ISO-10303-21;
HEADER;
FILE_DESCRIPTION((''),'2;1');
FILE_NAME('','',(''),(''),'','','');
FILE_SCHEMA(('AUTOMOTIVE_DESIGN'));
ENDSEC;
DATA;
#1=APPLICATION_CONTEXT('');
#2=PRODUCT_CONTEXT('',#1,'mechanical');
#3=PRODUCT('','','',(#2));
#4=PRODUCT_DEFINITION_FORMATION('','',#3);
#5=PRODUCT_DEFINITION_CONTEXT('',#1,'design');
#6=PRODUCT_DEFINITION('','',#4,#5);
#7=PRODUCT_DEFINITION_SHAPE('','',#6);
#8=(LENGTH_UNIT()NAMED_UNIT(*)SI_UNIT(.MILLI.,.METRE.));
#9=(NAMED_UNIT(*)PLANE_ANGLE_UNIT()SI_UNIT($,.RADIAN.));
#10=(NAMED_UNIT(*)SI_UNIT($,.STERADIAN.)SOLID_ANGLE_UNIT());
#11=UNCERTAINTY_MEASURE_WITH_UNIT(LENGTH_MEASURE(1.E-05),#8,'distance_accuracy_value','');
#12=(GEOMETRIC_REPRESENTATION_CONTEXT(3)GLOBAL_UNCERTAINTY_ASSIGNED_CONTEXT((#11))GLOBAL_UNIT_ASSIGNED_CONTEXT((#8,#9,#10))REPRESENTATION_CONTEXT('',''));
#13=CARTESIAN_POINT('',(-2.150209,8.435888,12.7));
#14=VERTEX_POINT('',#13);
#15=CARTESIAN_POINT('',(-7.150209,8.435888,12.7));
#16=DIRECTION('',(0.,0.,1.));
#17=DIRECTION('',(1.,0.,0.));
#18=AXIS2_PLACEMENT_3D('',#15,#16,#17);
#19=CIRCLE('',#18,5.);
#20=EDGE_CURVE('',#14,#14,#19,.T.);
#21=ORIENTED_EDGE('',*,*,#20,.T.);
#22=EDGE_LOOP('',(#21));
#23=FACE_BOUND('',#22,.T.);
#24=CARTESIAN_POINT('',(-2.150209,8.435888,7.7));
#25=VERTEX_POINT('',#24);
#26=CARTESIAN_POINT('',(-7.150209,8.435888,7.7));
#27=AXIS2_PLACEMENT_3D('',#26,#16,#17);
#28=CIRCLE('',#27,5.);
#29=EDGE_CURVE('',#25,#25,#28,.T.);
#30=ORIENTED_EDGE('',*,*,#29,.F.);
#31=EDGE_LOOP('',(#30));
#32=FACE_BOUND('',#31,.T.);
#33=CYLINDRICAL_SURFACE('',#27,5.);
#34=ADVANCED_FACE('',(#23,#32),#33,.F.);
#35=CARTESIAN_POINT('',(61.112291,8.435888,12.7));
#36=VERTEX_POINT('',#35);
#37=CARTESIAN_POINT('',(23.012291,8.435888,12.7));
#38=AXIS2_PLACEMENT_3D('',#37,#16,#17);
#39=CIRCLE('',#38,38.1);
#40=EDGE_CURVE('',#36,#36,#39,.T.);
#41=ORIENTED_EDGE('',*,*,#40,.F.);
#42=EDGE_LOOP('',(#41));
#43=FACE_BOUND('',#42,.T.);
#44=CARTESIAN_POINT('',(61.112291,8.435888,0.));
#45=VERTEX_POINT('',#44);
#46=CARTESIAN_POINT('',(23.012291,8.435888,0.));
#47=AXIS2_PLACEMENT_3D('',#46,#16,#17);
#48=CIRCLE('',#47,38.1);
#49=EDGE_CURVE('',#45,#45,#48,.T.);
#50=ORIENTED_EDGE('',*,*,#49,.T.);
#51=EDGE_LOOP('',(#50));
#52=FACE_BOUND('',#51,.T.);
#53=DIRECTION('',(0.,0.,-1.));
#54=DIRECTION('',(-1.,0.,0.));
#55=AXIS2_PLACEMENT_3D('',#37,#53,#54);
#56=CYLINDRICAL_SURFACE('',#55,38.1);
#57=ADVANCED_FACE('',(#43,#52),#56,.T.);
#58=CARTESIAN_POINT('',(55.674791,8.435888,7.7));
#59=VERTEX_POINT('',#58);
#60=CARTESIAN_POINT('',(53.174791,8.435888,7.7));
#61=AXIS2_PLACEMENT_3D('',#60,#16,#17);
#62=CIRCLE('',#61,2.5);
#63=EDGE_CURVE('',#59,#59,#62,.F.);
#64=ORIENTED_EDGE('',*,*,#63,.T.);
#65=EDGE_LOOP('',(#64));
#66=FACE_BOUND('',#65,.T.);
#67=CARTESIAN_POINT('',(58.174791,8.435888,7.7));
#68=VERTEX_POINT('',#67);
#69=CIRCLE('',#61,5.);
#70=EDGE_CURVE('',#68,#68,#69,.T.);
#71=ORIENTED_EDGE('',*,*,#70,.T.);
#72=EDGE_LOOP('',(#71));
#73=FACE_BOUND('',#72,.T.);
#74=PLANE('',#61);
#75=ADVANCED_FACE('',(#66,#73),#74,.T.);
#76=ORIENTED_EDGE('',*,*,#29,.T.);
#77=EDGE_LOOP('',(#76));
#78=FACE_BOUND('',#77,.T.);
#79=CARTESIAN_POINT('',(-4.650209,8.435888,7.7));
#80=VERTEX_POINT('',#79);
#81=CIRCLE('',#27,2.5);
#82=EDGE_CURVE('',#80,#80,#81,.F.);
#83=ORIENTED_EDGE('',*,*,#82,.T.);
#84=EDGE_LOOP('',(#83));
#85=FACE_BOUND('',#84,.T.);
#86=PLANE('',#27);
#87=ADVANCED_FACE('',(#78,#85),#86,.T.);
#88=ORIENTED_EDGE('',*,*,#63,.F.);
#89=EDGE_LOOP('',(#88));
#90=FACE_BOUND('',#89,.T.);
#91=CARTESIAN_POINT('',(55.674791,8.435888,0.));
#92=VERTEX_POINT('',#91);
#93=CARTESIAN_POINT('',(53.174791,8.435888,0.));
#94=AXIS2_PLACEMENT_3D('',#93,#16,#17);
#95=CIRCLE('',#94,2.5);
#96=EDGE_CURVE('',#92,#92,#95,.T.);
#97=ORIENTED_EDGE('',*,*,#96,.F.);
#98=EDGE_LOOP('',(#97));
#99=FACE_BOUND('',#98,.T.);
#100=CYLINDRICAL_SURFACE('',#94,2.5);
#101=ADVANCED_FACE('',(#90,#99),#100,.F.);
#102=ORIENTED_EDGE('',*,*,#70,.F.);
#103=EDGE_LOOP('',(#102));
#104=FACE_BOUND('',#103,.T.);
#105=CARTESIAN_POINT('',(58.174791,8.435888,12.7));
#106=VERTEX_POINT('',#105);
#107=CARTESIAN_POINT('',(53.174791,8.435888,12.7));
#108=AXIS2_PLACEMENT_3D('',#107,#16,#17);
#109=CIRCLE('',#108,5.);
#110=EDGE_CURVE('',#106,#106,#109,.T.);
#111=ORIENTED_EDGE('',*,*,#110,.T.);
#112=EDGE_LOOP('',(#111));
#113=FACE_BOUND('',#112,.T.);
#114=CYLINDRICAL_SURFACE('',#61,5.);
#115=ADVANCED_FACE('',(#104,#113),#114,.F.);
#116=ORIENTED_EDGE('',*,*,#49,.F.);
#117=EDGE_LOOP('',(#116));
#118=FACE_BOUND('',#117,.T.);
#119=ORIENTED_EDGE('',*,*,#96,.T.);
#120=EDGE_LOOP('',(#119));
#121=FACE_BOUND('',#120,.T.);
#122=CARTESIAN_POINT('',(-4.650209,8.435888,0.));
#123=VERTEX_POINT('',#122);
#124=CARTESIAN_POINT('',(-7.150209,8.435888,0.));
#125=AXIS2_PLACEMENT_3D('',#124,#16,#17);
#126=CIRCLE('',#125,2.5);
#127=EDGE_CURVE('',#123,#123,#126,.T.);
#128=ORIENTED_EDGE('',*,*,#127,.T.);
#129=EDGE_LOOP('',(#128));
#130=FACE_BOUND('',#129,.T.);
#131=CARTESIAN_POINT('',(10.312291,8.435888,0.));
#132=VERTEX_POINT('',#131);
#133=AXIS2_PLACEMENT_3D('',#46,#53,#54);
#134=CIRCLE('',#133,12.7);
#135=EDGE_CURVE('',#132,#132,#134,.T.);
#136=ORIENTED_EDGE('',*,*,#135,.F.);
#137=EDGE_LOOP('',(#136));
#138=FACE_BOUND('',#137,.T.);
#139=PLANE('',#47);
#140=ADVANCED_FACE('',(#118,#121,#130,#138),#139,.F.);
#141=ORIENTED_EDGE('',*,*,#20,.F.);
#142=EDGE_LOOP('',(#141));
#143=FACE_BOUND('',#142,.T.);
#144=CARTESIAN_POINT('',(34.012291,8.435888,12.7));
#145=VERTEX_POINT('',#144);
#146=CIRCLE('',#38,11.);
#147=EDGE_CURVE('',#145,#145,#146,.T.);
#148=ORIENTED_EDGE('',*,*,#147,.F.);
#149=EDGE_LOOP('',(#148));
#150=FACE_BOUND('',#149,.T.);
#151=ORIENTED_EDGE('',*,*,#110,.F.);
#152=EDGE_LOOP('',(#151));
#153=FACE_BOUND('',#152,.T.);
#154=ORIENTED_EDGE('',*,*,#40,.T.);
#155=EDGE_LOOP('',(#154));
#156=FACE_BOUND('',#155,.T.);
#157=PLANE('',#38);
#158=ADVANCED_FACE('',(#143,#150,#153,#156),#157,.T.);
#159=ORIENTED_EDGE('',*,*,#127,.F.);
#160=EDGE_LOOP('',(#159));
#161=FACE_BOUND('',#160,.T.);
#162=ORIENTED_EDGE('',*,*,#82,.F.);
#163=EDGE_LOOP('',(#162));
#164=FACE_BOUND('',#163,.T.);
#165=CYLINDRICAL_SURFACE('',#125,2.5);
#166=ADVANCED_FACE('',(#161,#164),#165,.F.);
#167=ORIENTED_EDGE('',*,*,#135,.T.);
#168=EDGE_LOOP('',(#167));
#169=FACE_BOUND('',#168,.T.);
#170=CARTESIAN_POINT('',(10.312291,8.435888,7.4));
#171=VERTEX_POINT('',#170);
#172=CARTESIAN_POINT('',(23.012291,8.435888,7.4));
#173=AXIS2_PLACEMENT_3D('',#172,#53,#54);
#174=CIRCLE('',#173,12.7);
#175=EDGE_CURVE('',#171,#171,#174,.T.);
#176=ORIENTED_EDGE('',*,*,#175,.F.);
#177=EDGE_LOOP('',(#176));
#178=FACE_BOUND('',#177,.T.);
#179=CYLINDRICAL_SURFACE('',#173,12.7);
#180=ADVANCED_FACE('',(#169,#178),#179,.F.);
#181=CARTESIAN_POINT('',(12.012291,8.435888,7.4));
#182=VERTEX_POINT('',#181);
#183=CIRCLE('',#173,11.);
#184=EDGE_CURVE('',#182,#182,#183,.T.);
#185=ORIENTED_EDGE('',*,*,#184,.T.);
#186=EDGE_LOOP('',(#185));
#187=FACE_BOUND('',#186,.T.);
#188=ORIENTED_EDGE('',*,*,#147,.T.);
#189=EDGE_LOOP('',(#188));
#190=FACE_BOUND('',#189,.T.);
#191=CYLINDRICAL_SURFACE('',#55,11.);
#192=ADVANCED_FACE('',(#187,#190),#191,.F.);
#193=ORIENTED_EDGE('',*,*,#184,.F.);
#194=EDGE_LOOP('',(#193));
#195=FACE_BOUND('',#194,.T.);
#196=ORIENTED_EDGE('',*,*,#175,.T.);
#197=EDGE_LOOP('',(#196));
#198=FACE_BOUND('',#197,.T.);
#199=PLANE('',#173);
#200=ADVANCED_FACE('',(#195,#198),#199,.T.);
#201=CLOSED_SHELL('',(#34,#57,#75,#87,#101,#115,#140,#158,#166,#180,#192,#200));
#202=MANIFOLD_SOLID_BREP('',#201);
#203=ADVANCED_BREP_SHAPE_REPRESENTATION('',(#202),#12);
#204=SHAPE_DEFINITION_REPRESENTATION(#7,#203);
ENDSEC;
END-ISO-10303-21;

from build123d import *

# Parameters (mm, degrees)
ESQUISSE1_R             = 38.1
ESQUISSE1_R_2           = 11
BOSS_EXTRU_1_DEPTH      = 12.7
ESQUISSE2_R             = 12.7
ENL_V_MAT_EXTRU_1_DEPTH = 7.4
ESQUISSE3_R             = 2.5
ENL_V_MAT_EXTRU_2_DEPTH = 13.7
ESQUISSE4_R             = 5
ENL_V_MAT_EXTRU_3_DEPTH = 5


with BuildPart() as part:
    # Esquisse1 → Boss.-Extru.1 (new body)
    with BuildSketch(Plane.XY):
        with Locations((23.012291104, 8.435887891)):
            Circle(ESQUISSE1_R)
        with Locations((23.012291104, 8.435887891)):
            Circle(ESQUISSE1_R_2, mode=Mode.SUBTRACT)
    extrude(amount=BOSS_EXTRU_1_DEPTH)

    # Esquisse2 → Enlèv. mat.-Extru.1 (cut)
    with BuildSketch(Plane(origin=(0, 0, 0), x_dir=(-1, 0, 0), z_dir=(0, 0, -1))):
        with Locations((-23.012291104, 8.435887891)):
            Circle(ESQUISSE2_R)
    extrude(amount=-ENL_V_MAT_EXTRU_1_DEPTH, mode=Mode.SUBTRACT)

    # Esquisse3 → Enlèv. mat.-Extru.2 (cut, through all)
    with BuildSketch(Plane.XY.offset(12.7)):
        with Locations((53.174791104, 8.435887891)):
            Circle(ESQUISSE3_R)
        with Locations((-7.150208896, 8.435887891)):
            Circle(ESQUISSE3_R)
    extrude(amount=-ENL_V_MAT_EXTRU_2_DEPTH, mode=Mode.SUBTRACT)

    # Esquisse4 → Enlèv. mat.-Extru.3 (cut)
    with BuildSketch(Plane.XY.offset(12.7)):
        with Locations((-7.150208896, 8.435887891)):
            Circle(ESQUISSE4_R)
        with Locations((53.174791104, 8.435887891)):
            Circle(ESQUISSE4_R)
    extrude(amount=-ENL_V_MAT_EXTRU_3_DEPTH, mode=Mode.SUBTRACT)


solid = part.part
